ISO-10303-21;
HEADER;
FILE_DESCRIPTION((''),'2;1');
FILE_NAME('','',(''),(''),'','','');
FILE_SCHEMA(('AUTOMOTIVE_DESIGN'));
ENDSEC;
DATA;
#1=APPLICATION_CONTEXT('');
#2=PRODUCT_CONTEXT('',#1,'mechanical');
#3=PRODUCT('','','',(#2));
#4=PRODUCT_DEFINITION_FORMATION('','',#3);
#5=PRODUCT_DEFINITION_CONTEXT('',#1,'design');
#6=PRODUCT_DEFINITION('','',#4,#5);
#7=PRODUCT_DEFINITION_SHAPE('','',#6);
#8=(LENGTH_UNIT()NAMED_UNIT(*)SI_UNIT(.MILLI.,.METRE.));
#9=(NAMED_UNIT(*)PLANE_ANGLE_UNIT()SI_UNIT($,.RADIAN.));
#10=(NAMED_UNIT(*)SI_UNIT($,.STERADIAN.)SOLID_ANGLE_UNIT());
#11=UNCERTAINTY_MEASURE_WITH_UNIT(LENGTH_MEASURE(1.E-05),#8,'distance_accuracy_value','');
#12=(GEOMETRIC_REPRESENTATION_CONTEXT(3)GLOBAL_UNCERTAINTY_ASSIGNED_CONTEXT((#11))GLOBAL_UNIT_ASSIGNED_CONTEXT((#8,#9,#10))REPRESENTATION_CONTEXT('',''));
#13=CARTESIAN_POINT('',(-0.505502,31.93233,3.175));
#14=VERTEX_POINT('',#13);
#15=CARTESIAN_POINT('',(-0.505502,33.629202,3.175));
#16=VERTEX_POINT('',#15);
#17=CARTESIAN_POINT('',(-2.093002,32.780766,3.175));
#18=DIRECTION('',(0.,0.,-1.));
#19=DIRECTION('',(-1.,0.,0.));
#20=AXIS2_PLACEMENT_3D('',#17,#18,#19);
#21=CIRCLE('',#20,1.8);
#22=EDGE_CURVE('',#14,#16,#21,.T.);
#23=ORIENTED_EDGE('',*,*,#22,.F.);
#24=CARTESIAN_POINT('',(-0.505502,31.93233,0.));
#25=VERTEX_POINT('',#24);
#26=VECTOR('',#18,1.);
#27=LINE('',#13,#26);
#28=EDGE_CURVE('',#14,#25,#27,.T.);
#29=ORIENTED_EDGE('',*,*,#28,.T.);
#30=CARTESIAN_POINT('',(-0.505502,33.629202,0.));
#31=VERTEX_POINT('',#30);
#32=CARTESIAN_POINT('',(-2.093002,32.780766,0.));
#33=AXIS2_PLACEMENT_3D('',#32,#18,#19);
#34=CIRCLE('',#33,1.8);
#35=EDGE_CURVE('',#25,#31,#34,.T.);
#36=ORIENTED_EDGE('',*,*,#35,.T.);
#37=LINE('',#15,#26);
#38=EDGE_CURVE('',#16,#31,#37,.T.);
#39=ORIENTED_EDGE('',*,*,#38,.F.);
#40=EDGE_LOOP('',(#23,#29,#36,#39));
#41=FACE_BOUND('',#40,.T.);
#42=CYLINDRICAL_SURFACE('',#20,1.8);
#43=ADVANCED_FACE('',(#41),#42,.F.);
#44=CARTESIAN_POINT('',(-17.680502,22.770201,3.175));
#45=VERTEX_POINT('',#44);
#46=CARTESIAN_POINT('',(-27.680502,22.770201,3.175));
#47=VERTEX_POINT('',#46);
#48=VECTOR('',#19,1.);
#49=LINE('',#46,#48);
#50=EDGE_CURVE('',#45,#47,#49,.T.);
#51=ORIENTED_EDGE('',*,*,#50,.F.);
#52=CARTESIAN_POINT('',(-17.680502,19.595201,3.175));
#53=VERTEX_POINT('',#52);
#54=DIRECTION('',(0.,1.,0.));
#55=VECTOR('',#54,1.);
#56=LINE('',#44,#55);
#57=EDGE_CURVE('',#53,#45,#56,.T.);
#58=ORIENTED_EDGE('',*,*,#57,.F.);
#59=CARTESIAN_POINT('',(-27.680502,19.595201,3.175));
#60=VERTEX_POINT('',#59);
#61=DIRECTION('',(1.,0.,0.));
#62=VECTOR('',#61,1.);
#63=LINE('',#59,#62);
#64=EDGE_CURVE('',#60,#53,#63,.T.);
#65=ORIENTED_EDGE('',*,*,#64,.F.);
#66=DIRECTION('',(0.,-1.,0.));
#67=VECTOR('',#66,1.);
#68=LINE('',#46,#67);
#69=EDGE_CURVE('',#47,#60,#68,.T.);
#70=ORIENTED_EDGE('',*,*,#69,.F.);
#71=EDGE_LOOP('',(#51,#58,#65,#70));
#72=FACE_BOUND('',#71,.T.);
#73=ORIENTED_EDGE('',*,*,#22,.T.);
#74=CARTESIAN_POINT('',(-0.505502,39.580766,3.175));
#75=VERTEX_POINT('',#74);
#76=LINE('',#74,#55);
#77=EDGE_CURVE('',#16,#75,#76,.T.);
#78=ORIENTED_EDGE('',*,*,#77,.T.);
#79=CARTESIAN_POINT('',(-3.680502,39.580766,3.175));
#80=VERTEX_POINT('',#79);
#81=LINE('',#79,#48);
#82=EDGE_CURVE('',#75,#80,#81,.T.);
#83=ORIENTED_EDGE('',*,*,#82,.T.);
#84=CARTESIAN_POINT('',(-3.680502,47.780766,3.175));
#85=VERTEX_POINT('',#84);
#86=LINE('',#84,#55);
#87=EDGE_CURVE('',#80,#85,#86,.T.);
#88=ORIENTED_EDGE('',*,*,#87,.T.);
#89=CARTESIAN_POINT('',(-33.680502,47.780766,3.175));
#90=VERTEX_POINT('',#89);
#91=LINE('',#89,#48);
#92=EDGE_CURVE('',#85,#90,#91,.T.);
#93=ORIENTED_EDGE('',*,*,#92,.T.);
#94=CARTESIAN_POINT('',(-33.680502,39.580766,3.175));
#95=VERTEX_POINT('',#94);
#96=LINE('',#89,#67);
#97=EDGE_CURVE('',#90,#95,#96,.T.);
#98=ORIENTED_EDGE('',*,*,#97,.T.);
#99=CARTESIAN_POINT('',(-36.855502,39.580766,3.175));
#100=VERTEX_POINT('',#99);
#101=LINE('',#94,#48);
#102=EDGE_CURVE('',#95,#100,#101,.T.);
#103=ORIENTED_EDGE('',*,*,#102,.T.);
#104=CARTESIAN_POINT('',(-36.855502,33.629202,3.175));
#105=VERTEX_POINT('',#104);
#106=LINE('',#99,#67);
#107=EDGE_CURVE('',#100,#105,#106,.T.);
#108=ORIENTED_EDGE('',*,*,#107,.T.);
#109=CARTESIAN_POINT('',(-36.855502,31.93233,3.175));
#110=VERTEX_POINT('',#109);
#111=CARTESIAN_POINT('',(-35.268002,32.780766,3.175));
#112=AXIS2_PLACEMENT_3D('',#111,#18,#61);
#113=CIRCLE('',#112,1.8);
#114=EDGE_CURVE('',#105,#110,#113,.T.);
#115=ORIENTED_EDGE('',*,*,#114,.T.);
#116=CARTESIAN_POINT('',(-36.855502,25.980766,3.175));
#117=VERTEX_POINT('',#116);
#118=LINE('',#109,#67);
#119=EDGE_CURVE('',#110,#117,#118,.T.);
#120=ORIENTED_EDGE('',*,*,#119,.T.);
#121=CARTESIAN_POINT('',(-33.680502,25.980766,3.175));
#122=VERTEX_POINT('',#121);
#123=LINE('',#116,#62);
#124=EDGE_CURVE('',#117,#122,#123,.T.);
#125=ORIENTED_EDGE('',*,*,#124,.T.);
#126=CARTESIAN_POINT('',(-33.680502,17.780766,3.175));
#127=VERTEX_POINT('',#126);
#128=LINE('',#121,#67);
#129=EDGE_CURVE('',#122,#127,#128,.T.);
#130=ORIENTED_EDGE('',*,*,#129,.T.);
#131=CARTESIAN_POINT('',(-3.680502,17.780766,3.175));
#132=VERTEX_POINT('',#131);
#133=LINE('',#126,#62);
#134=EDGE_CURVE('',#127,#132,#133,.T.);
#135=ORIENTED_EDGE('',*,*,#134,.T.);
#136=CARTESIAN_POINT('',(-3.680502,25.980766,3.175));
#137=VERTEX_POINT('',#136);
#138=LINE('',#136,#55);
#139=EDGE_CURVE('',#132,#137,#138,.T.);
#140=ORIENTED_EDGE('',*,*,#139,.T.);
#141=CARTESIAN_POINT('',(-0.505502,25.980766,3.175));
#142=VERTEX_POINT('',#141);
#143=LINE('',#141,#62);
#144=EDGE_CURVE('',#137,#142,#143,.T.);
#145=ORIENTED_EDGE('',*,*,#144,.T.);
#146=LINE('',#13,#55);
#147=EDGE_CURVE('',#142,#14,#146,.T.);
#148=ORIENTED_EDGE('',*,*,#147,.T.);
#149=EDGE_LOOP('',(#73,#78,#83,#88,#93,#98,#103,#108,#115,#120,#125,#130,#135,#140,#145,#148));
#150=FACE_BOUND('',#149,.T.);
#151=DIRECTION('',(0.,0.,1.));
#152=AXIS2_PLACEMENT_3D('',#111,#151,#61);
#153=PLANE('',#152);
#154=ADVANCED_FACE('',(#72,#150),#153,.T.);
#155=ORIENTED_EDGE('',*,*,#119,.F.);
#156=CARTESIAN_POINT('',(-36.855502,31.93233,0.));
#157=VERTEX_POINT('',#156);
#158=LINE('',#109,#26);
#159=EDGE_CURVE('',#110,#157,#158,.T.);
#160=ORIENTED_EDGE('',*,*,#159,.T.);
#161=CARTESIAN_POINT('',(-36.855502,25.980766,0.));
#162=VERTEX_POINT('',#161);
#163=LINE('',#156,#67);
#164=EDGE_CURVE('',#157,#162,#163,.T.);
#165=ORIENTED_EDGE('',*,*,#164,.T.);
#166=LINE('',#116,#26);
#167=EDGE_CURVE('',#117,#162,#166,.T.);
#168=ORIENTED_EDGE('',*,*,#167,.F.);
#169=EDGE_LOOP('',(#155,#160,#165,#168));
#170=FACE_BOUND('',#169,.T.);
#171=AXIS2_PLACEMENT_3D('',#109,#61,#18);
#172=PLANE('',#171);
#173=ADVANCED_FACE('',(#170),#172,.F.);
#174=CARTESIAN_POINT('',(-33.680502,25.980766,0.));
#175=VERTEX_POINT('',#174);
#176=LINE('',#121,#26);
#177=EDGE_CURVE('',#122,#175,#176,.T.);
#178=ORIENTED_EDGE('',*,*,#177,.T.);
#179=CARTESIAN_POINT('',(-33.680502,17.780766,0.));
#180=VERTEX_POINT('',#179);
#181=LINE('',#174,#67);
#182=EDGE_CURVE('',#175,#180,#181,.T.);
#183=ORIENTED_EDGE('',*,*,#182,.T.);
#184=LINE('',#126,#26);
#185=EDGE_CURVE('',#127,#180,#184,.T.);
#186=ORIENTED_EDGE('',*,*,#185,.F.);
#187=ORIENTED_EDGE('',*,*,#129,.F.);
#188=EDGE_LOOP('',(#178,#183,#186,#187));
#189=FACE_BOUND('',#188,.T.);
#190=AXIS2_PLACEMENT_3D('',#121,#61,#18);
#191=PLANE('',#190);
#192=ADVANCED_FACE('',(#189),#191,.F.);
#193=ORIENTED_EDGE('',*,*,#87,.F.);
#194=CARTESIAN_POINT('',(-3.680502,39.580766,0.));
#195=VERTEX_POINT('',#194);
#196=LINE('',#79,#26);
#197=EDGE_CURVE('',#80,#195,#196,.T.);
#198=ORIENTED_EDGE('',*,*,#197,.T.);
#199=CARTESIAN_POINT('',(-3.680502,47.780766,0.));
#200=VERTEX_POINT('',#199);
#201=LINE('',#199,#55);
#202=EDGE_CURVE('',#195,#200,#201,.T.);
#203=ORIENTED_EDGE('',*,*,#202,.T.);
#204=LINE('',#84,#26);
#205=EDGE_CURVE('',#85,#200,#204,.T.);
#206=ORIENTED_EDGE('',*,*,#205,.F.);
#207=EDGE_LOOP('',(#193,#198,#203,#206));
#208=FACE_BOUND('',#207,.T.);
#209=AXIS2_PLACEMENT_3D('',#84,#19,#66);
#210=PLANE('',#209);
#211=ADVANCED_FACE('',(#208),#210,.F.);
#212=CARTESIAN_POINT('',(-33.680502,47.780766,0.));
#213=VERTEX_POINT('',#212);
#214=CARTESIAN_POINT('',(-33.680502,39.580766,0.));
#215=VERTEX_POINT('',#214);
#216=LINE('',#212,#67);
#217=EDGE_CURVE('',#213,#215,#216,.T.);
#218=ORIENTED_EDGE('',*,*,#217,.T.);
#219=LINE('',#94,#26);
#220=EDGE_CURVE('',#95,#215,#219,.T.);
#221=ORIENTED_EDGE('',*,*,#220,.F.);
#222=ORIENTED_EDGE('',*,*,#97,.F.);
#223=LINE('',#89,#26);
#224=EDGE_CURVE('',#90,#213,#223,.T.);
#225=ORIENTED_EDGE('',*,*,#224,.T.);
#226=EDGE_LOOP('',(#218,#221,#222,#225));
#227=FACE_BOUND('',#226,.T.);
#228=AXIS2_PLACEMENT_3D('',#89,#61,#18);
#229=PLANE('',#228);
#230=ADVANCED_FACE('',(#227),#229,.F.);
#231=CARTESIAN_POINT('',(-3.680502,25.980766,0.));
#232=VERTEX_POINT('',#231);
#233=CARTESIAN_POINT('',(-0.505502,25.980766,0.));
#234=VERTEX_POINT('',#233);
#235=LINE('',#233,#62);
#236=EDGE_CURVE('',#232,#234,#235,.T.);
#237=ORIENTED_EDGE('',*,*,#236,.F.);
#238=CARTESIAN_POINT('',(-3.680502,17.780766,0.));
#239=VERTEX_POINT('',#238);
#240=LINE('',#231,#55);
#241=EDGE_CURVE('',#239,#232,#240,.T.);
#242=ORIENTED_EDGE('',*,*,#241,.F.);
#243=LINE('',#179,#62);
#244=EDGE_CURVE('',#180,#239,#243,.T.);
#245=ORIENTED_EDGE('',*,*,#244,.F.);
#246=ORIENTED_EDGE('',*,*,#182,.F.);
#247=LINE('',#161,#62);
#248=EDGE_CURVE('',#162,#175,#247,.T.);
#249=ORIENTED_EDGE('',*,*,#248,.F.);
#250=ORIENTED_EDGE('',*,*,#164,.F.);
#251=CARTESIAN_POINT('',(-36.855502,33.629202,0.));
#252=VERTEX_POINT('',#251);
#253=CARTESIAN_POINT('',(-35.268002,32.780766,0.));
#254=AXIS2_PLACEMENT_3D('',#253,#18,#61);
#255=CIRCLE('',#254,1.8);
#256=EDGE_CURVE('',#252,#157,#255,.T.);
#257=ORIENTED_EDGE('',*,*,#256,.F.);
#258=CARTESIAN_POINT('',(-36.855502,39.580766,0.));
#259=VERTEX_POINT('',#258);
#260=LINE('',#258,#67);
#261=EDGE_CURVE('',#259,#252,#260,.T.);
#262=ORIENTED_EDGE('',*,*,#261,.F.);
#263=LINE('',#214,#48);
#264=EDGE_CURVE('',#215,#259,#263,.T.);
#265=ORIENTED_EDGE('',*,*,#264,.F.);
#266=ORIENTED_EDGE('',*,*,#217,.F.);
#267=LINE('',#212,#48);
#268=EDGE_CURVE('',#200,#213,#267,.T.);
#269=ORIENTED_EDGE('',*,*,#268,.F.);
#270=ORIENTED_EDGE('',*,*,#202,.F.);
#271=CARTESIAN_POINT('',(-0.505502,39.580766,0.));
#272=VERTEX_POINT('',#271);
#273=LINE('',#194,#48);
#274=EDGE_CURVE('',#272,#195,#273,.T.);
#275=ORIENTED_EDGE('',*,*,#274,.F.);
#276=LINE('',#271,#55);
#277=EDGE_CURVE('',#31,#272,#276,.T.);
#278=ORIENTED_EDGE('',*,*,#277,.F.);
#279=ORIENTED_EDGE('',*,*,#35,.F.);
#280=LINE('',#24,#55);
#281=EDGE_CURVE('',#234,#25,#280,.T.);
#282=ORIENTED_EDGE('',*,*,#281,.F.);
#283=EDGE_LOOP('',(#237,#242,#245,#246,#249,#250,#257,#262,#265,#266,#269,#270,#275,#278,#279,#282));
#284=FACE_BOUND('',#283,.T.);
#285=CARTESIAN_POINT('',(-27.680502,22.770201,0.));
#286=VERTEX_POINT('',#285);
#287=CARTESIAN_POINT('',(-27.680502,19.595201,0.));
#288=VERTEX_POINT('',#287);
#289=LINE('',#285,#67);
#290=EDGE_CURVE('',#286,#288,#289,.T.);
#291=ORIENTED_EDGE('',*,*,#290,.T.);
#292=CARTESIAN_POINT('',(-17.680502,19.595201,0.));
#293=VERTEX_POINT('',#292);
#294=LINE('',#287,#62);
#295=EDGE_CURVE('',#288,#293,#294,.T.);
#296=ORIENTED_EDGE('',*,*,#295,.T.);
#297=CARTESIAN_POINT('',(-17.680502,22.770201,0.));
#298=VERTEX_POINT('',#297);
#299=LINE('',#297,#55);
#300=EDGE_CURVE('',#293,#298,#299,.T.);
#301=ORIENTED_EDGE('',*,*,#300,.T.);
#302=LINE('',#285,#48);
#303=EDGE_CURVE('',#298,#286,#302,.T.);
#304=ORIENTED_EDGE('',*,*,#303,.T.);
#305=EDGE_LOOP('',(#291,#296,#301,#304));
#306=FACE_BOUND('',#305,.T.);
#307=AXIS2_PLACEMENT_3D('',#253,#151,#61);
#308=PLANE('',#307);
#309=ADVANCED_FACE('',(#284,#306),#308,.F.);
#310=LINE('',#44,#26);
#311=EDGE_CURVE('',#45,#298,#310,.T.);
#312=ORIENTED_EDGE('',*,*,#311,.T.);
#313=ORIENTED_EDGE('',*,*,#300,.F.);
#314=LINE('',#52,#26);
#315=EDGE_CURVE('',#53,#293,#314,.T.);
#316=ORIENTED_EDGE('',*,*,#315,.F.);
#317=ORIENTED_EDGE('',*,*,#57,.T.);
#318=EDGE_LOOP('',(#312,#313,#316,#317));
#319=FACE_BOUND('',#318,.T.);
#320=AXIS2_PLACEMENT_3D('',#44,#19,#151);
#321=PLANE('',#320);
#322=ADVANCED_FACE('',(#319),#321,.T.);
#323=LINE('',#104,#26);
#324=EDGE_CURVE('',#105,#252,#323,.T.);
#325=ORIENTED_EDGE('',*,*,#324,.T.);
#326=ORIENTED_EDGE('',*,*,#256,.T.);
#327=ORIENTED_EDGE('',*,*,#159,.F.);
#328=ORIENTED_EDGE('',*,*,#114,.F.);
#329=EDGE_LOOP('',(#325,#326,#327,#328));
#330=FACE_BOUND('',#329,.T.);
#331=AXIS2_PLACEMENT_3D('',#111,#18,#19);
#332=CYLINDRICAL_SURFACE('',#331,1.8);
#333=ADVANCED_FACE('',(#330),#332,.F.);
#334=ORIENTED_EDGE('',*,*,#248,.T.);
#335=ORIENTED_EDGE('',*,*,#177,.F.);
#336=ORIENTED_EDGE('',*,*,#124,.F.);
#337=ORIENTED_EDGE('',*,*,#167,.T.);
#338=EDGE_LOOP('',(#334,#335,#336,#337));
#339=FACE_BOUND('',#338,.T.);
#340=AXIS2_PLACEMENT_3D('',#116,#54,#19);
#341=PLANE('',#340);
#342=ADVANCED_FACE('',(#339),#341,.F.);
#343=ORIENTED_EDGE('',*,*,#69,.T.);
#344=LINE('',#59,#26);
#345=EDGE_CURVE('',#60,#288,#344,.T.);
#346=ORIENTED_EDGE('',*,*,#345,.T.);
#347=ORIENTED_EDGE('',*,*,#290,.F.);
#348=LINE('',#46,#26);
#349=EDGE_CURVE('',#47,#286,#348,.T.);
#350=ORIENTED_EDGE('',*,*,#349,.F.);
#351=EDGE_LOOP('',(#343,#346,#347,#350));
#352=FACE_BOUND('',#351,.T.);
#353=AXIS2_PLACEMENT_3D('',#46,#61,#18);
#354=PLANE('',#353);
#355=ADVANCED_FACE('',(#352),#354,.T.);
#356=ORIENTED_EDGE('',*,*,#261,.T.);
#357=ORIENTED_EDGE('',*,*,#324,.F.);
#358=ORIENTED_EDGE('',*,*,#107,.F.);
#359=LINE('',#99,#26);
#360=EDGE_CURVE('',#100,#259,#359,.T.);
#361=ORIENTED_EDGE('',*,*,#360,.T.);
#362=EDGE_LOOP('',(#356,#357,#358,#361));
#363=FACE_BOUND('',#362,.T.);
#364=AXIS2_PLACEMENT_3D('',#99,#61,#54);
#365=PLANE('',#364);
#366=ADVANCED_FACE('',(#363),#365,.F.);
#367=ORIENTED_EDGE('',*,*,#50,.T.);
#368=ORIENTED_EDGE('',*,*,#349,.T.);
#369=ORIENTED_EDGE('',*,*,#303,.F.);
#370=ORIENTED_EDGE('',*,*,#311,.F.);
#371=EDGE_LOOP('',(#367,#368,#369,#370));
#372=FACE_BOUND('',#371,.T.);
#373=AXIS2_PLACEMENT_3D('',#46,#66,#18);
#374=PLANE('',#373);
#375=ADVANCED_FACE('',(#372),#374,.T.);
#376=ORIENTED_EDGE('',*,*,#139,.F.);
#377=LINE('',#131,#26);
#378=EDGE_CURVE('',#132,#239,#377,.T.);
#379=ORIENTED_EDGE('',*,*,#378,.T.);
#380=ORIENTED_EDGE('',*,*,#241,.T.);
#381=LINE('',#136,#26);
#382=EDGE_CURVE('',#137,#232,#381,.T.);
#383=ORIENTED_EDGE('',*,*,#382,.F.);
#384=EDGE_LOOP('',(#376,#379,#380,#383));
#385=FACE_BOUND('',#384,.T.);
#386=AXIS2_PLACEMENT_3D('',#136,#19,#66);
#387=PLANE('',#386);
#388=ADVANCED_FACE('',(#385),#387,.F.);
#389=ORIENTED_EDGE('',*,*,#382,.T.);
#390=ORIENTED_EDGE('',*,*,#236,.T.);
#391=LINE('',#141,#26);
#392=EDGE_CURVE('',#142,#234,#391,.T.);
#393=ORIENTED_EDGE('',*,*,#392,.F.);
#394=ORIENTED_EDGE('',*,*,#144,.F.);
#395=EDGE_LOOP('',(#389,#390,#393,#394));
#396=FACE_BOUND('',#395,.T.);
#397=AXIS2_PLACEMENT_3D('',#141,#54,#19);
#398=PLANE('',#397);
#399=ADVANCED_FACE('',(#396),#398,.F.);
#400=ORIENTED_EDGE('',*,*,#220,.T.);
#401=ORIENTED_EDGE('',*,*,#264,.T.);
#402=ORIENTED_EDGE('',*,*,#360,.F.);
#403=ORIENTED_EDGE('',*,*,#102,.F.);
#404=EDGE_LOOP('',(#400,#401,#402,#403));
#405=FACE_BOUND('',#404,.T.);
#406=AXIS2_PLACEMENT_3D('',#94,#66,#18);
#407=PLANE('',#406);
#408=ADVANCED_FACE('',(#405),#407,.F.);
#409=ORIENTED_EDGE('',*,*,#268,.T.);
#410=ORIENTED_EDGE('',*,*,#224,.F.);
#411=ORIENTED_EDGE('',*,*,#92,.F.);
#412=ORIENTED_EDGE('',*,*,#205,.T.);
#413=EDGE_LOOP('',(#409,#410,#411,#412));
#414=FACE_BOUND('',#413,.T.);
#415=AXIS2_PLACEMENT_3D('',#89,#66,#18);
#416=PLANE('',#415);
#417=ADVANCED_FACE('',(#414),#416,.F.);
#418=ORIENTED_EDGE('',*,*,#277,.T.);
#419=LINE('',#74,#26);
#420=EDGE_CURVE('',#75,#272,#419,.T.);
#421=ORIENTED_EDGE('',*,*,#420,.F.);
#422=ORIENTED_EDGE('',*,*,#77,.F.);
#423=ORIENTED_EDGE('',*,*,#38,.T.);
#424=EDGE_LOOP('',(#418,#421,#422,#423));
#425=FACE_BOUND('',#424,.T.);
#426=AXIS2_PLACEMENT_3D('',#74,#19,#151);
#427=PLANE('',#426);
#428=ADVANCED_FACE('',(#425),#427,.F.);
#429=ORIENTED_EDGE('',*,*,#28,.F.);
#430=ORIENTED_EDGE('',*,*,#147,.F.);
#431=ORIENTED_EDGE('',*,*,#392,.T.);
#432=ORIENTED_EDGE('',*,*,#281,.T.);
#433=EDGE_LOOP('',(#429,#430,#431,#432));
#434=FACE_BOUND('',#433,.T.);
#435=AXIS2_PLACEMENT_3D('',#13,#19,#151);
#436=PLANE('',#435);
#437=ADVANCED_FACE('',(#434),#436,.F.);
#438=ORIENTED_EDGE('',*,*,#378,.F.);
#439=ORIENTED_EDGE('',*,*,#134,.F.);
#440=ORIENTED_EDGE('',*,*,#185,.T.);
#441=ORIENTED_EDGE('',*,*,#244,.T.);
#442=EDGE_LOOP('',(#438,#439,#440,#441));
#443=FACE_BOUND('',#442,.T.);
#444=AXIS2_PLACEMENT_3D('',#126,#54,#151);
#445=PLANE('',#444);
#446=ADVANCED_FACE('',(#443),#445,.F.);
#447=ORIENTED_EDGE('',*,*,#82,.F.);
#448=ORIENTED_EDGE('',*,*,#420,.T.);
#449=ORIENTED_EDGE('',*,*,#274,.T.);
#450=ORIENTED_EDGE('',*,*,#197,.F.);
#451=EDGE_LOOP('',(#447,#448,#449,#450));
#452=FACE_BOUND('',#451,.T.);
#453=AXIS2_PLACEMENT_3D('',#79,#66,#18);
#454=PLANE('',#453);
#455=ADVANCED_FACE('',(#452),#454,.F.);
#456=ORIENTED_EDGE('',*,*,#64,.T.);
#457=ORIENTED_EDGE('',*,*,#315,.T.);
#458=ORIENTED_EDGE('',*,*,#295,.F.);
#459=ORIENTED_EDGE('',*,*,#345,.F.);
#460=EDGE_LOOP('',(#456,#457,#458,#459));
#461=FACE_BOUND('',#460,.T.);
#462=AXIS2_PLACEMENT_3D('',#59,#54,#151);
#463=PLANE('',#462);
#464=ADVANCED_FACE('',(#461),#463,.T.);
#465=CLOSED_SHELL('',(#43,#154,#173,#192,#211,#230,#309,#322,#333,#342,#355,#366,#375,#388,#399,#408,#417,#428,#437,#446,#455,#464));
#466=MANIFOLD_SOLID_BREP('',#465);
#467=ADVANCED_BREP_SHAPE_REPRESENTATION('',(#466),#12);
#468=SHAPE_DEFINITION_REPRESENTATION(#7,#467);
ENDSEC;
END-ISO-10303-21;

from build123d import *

# Parameters (mm, degrees)
SKETCH1_W           = 10
SKETCH1_H           = 3.175
BOSS_EXTRUDE4_DEPTH = 3.175


with BuildPart() as part:
    # Sketch1 → Boss-Extrude4 (new body)
    with BuildSketch(Plane.XY):
        with BuildLine():
            Line((-33.68050161, 39.580766243), (-36.85550161, 39.580766243))
            Line((-36.85550161, 39.580766243), (-36.85550161, 33.629202304))
            ThreePointArc((-36.85550161, 33.629202304), (-33.46800161, 32.780766243), (-36.85550161, 31.932330182))
            Line((-36.85550161, 31.932330182), (-36.85550161, 25.980766243))
            Line((-36.85550161, 25.980766243), (-33.68050161, 25.980766243))
            Line((-33.68050161, 25.980766243), (-33.68050161, 17.780766243))
            Line((-33.68050161, 17.780766243), (-3.68050161, 17.780766243))
            Line((-3.68050161, 17.780766243), (-3.68050161, 25.980766243))
            Line((-3.68050161, 25.980766243), (-0.50550161, 25.980766243))
            Line((-0.50550161, 25.980766243), (-0.50550161, 31.932330182))
            ThreePointArc((-0.50550161, 31.932330182), (-3.89300161, 32.780766243), (-0.50550161, 33.629202304))
            Line((-0.50550161, 33.629202304), (-0.50550161, 39.580766243))
            Line((-0.50550161, 39.580766243), (-3.68050161, 39.580766243))
            Line((-3.68050161, 39.580766243), (-3.68050161, 47.780766243))
            Line((-3.68050161, 47.780766243), (-33.68050161, 47.780766243))
            Line((-33.68050161, 47.780766243), (-33.68050161, 39.580766243))
        make_face()
        with Locations((-22.68050161, 21.182701237)):
            Rectangle(SKETCH1_W, SKETCH1_H, mode=Mode.SUBTRACT)
    extrude(amount=BOSS_EXTRUDE4_DEPTH)


solid = part.part
